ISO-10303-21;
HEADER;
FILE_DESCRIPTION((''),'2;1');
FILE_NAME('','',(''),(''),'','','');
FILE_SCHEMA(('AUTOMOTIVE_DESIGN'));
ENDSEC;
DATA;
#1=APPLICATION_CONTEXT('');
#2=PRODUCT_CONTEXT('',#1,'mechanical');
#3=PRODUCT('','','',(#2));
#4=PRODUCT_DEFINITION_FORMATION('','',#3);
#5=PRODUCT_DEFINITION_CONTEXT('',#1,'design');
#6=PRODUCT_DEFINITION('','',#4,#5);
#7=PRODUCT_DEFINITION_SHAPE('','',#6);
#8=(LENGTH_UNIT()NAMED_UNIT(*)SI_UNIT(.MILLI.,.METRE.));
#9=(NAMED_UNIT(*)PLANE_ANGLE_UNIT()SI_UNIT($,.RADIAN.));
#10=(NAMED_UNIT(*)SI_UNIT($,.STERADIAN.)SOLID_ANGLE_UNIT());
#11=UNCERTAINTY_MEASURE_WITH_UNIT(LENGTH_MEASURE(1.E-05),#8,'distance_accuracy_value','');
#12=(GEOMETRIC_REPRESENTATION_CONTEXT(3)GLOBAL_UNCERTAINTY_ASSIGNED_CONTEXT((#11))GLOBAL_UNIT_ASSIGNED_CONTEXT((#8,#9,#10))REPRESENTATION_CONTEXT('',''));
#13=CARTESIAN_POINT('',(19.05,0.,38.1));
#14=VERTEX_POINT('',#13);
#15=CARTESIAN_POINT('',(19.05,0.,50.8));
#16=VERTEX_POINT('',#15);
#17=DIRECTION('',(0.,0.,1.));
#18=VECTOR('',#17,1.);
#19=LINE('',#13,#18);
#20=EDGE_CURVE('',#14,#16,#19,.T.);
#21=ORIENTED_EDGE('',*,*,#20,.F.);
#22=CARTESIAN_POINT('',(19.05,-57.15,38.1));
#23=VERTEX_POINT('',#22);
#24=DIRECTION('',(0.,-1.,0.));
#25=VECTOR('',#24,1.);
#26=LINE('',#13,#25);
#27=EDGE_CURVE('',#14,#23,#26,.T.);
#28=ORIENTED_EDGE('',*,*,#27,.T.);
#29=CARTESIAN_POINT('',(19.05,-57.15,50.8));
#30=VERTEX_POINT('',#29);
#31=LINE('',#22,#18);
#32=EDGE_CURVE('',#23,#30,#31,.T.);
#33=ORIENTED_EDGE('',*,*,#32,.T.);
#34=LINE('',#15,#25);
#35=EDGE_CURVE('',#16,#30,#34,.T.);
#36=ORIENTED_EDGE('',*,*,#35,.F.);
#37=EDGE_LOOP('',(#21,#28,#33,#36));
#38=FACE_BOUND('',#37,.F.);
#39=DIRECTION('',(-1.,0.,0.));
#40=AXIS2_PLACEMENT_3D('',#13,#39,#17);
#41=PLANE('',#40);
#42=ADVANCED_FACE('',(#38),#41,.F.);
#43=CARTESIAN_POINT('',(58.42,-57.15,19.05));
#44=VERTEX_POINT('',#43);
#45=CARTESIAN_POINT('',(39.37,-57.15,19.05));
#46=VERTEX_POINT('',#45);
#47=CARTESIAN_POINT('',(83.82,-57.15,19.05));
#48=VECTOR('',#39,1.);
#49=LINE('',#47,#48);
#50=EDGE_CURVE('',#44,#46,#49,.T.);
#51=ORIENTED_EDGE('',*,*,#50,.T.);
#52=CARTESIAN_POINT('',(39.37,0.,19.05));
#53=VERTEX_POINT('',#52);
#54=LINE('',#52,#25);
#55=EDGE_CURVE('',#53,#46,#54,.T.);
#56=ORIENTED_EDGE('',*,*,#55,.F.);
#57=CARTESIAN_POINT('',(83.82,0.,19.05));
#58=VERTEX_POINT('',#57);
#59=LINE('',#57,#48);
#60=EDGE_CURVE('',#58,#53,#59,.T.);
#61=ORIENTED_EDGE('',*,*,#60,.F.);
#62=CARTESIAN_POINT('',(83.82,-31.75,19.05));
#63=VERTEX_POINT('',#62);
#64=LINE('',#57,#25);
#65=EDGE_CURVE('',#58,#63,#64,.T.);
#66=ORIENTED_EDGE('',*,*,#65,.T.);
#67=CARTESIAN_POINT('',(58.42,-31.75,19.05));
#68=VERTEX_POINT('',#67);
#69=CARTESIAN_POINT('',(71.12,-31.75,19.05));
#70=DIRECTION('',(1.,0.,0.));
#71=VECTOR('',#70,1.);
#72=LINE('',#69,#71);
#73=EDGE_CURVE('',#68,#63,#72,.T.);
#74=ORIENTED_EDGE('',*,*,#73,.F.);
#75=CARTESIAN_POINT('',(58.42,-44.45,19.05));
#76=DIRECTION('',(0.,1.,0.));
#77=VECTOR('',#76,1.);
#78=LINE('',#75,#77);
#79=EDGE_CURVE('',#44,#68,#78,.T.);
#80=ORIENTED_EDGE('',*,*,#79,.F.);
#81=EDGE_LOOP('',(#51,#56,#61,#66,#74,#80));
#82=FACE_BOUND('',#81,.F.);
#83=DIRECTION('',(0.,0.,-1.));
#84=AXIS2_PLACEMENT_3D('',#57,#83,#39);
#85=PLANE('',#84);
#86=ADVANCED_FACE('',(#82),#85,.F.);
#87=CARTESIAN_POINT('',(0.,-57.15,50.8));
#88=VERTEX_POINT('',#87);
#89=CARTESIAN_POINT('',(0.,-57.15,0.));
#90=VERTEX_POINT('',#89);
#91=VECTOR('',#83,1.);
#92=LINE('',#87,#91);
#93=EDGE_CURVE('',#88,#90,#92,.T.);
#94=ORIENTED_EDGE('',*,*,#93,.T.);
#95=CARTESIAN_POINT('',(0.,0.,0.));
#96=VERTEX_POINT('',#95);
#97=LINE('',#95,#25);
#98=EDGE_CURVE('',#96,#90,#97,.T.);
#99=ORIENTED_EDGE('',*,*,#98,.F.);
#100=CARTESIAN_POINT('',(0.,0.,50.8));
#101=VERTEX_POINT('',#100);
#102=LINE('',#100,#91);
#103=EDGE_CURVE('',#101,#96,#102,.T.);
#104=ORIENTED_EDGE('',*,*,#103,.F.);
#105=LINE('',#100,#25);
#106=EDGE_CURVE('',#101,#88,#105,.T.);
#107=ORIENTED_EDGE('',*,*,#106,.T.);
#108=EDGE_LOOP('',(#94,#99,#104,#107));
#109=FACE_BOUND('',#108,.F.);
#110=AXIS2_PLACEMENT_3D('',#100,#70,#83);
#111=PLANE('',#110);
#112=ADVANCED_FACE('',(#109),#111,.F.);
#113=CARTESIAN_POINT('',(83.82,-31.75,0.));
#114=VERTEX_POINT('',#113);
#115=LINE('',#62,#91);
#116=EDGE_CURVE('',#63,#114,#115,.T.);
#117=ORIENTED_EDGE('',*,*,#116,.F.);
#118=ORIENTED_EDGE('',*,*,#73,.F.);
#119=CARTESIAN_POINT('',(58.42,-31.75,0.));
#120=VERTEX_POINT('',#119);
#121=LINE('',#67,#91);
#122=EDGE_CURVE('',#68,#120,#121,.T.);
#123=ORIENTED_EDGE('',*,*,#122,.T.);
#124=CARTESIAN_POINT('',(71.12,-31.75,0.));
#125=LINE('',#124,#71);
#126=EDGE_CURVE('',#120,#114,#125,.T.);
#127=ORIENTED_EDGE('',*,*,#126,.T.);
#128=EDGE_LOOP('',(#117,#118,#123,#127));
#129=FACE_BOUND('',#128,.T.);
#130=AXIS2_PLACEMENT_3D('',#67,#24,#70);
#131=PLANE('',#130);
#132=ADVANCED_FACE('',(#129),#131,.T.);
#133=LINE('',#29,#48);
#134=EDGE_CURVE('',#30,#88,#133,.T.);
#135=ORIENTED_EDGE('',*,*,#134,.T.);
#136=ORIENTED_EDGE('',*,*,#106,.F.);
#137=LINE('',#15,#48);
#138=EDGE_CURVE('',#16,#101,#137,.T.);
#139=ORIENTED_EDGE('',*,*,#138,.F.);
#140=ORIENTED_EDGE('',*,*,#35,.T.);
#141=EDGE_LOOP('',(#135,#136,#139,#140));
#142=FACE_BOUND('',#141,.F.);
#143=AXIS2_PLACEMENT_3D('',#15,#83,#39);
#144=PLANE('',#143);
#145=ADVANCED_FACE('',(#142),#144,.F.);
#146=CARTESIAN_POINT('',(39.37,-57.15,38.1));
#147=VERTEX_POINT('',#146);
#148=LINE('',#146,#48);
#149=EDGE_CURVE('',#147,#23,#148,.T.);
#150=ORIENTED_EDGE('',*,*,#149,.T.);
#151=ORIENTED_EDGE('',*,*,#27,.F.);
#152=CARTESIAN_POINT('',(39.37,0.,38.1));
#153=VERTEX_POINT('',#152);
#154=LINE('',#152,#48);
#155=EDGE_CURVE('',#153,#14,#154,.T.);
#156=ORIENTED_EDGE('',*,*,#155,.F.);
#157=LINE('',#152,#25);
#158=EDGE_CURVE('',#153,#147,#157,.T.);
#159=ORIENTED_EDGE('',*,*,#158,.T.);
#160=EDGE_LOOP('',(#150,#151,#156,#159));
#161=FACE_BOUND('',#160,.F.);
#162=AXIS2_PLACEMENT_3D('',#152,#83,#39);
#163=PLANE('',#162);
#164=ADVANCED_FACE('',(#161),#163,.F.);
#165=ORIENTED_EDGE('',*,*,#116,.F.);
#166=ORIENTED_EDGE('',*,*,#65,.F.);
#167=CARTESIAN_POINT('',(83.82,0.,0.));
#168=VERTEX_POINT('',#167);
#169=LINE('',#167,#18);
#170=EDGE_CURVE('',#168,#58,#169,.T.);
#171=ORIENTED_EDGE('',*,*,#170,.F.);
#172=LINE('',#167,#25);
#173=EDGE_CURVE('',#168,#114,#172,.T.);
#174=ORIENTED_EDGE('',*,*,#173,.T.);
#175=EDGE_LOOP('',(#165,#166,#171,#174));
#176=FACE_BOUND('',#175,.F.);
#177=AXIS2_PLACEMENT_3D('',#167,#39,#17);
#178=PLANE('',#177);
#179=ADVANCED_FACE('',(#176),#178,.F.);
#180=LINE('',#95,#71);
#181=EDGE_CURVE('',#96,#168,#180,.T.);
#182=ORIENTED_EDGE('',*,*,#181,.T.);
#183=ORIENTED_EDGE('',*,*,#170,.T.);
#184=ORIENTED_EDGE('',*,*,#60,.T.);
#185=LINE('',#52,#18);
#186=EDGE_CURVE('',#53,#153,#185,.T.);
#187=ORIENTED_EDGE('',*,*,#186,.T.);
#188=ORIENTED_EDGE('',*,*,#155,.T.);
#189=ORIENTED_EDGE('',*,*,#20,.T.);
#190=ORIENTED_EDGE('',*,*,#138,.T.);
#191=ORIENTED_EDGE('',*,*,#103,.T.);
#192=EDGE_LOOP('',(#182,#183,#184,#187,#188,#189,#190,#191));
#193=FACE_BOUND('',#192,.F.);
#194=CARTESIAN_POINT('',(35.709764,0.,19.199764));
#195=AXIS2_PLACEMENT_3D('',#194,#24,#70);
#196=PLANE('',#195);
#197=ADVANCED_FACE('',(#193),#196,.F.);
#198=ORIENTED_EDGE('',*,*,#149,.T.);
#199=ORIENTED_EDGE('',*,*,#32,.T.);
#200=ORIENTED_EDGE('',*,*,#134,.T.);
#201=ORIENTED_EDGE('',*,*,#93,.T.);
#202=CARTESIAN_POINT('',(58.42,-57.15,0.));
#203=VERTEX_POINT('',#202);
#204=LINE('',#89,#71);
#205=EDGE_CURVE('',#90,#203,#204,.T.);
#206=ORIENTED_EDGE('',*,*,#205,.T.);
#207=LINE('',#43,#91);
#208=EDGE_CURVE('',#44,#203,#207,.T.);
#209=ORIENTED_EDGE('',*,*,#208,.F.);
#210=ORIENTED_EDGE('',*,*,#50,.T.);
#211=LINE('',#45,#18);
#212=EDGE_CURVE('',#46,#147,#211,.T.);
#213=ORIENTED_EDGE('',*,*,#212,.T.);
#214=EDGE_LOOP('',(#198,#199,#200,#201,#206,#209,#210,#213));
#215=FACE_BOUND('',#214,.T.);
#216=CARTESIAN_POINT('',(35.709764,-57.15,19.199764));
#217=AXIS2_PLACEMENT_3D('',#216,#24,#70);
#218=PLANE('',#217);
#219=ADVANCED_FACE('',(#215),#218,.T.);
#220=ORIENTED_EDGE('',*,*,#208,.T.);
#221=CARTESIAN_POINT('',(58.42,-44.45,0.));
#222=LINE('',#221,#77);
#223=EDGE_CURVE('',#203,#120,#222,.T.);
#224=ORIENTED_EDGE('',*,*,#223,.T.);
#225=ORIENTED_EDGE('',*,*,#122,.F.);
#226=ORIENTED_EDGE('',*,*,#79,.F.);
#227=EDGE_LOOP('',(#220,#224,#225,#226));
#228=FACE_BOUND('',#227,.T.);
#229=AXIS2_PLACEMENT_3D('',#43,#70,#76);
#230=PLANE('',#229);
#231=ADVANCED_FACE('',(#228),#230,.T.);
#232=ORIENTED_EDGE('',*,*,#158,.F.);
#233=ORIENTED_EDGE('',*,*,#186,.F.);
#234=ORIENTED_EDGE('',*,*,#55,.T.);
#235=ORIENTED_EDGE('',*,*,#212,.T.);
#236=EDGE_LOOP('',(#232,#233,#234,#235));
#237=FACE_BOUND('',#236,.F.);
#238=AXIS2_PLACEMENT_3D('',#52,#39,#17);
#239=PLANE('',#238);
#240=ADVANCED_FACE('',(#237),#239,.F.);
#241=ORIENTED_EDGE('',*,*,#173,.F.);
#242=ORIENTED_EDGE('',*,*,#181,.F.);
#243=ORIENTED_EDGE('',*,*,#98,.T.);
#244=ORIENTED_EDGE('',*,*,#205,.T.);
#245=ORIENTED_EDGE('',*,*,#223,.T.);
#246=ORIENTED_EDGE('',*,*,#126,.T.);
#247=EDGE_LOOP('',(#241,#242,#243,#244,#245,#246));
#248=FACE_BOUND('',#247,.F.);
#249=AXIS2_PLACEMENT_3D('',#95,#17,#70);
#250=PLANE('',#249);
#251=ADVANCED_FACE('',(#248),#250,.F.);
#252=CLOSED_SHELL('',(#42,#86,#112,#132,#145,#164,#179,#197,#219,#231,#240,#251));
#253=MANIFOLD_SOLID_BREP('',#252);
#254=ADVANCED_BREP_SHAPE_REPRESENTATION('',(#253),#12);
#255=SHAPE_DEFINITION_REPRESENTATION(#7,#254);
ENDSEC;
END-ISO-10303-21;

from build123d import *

# Parameters (mm, degrees)
F1_DEPTH = 57.15
F2_W     = 25.4
F2_H     = 25.4
F3_DEPTH = 19.05


with BuildPart() as f1:
    # F0 (on Front) → F1 (new body)
    with BuildSketch(Plane.XZ):
        Polygon((0, 50.8), (0, 0), (83.82, 0), (83.82, 19.05), (39.37, 19.05), (39.37, 38.1), (19.05, 38.1), (19.05, 50.8), align=None)
    extrude(amount=F1_DEPTH)

    # F2 (on face) → F3 (cut, through all)
    with BuildSketch(Plane.XY.offset(19.05)):
        with Locations((71.12, -44.45)):
            Rectangle(F2_W, F2_H)
    extrude(amount=-F3_DEPTH, mode=Mode.SUBTRACT)


solid = f1.part
